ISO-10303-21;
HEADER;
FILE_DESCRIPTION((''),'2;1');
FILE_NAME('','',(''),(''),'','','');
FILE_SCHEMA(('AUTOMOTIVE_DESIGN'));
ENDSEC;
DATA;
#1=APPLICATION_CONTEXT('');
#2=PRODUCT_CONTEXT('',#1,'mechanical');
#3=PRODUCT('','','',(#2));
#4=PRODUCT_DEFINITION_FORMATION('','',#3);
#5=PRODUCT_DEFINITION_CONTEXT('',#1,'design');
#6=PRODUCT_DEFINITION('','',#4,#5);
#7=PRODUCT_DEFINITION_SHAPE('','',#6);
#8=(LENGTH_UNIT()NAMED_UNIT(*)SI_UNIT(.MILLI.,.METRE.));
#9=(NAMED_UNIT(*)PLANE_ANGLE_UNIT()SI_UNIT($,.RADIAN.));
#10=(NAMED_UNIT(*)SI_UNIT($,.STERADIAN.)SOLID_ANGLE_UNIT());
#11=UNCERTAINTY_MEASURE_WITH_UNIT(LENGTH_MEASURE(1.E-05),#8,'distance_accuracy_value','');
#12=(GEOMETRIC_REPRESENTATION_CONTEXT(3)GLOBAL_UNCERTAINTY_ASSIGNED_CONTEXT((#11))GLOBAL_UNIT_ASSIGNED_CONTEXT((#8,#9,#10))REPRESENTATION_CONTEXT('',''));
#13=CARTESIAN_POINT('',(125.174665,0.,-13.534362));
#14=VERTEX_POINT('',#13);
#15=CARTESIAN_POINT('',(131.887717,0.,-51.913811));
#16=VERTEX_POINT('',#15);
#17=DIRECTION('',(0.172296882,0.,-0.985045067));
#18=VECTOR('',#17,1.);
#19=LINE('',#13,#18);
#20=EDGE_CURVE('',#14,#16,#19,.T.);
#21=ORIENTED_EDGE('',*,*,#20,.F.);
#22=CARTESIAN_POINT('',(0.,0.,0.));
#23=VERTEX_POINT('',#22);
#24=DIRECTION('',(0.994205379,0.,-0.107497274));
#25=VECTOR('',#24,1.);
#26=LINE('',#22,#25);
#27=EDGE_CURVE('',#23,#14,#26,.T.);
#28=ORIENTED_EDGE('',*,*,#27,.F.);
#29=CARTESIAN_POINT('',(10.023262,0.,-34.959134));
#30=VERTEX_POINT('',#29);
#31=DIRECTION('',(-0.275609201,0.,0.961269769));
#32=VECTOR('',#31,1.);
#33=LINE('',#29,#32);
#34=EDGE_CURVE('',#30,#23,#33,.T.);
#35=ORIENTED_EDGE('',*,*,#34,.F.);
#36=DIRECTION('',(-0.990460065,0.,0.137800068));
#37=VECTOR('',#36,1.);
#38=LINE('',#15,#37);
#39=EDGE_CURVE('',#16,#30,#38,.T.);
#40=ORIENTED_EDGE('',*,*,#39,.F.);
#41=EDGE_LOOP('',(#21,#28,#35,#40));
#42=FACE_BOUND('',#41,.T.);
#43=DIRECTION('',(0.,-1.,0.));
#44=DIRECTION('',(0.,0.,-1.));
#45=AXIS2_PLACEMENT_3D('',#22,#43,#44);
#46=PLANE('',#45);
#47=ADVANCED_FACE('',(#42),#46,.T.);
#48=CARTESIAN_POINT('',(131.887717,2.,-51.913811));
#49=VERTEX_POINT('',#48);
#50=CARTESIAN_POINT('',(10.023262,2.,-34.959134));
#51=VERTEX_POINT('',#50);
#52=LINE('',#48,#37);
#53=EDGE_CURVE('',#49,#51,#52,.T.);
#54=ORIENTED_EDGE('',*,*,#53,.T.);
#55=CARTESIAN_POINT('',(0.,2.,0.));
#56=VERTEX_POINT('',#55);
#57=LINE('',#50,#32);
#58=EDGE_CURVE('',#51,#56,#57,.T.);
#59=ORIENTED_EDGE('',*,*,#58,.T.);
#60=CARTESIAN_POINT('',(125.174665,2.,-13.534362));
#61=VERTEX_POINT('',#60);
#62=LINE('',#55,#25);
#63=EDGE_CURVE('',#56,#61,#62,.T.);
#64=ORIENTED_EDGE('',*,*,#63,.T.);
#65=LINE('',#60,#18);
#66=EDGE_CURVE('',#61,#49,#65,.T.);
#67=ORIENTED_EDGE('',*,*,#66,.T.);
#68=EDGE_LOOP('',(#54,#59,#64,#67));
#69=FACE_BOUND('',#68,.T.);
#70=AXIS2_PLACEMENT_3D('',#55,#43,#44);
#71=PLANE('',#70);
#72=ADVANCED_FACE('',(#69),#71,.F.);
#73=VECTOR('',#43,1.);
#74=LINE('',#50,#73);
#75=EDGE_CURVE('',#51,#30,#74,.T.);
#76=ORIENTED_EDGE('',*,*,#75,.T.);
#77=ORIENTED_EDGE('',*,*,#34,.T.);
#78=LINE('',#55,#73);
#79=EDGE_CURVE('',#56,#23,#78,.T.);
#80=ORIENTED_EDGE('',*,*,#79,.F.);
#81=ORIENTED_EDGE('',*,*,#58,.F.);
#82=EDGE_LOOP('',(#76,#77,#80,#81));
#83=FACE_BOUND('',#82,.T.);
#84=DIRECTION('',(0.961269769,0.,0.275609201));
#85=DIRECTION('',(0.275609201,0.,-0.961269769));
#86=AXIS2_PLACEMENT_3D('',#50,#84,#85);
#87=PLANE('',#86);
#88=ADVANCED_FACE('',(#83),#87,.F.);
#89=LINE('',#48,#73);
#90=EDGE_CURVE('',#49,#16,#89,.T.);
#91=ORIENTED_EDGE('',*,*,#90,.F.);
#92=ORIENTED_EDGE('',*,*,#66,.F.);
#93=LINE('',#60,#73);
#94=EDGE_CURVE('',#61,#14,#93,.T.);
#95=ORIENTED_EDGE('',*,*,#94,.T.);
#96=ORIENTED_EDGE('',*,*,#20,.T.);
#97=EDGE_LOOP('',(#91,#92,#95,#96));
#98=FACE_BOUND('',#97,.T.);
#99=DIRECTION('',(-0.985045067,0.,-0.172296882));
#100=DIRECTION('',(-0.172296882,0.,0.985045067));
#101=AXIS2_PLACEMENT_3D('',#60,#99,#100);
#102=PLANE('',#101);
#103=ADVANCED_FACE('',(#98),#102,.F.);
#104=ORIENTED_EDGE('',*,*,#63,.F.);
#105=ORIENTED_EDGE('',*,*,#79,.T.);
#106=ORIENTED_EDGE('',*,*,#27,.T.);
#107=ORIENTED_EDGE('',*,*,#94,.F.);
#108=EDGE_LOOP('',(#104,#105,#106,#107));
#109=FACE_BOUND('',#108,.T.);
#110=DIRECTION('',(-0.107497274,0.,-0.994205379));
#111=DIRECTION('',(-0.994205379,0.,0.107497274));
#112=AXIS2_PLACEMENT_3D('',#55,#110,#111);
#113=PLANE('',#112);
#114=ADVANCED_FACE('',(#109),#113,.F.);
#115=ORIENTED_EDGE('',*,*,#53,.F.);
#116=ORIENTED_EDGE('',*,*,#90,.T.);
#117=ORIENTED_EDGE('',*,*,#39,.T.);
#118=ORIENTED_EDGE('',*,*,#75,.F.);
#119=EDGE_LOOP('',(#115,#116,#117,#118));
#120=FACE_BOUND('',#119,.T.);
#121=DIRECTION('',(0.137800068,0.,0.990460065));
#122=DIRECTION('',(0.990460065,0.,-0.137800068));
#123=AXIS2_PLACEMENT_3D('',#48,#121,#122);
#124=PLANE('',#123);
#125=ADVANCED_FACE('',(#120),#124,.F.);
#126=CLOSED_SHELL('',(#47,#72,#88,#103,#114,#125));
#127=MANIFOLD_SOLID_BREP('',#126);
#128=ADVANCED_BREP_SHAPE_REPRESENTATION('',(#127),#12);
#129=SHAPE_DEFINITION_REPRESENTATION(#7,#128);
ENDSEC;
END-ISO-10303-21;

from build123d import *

# Parameters (mm, degrees)
BOSS_EXTRU_1_DEPTH = 2


with BuildPart() as part:
    # Esquisse1 → Boss.-Extru.1 (new body)
    with BuildSketch(Plane(origin=(0, 0, 0), x_dir=(1, 0, 0), z_dir=(0, 1, 0))):
        Polygon((131.88771718, 51.913810721), (10.023262283, 34.959134073), (0, 0), (125.174664551, 13.534361738), align=None)
    extrude(amount=BOSS_EXTRU_1_DEPTH)


solid = part.part
